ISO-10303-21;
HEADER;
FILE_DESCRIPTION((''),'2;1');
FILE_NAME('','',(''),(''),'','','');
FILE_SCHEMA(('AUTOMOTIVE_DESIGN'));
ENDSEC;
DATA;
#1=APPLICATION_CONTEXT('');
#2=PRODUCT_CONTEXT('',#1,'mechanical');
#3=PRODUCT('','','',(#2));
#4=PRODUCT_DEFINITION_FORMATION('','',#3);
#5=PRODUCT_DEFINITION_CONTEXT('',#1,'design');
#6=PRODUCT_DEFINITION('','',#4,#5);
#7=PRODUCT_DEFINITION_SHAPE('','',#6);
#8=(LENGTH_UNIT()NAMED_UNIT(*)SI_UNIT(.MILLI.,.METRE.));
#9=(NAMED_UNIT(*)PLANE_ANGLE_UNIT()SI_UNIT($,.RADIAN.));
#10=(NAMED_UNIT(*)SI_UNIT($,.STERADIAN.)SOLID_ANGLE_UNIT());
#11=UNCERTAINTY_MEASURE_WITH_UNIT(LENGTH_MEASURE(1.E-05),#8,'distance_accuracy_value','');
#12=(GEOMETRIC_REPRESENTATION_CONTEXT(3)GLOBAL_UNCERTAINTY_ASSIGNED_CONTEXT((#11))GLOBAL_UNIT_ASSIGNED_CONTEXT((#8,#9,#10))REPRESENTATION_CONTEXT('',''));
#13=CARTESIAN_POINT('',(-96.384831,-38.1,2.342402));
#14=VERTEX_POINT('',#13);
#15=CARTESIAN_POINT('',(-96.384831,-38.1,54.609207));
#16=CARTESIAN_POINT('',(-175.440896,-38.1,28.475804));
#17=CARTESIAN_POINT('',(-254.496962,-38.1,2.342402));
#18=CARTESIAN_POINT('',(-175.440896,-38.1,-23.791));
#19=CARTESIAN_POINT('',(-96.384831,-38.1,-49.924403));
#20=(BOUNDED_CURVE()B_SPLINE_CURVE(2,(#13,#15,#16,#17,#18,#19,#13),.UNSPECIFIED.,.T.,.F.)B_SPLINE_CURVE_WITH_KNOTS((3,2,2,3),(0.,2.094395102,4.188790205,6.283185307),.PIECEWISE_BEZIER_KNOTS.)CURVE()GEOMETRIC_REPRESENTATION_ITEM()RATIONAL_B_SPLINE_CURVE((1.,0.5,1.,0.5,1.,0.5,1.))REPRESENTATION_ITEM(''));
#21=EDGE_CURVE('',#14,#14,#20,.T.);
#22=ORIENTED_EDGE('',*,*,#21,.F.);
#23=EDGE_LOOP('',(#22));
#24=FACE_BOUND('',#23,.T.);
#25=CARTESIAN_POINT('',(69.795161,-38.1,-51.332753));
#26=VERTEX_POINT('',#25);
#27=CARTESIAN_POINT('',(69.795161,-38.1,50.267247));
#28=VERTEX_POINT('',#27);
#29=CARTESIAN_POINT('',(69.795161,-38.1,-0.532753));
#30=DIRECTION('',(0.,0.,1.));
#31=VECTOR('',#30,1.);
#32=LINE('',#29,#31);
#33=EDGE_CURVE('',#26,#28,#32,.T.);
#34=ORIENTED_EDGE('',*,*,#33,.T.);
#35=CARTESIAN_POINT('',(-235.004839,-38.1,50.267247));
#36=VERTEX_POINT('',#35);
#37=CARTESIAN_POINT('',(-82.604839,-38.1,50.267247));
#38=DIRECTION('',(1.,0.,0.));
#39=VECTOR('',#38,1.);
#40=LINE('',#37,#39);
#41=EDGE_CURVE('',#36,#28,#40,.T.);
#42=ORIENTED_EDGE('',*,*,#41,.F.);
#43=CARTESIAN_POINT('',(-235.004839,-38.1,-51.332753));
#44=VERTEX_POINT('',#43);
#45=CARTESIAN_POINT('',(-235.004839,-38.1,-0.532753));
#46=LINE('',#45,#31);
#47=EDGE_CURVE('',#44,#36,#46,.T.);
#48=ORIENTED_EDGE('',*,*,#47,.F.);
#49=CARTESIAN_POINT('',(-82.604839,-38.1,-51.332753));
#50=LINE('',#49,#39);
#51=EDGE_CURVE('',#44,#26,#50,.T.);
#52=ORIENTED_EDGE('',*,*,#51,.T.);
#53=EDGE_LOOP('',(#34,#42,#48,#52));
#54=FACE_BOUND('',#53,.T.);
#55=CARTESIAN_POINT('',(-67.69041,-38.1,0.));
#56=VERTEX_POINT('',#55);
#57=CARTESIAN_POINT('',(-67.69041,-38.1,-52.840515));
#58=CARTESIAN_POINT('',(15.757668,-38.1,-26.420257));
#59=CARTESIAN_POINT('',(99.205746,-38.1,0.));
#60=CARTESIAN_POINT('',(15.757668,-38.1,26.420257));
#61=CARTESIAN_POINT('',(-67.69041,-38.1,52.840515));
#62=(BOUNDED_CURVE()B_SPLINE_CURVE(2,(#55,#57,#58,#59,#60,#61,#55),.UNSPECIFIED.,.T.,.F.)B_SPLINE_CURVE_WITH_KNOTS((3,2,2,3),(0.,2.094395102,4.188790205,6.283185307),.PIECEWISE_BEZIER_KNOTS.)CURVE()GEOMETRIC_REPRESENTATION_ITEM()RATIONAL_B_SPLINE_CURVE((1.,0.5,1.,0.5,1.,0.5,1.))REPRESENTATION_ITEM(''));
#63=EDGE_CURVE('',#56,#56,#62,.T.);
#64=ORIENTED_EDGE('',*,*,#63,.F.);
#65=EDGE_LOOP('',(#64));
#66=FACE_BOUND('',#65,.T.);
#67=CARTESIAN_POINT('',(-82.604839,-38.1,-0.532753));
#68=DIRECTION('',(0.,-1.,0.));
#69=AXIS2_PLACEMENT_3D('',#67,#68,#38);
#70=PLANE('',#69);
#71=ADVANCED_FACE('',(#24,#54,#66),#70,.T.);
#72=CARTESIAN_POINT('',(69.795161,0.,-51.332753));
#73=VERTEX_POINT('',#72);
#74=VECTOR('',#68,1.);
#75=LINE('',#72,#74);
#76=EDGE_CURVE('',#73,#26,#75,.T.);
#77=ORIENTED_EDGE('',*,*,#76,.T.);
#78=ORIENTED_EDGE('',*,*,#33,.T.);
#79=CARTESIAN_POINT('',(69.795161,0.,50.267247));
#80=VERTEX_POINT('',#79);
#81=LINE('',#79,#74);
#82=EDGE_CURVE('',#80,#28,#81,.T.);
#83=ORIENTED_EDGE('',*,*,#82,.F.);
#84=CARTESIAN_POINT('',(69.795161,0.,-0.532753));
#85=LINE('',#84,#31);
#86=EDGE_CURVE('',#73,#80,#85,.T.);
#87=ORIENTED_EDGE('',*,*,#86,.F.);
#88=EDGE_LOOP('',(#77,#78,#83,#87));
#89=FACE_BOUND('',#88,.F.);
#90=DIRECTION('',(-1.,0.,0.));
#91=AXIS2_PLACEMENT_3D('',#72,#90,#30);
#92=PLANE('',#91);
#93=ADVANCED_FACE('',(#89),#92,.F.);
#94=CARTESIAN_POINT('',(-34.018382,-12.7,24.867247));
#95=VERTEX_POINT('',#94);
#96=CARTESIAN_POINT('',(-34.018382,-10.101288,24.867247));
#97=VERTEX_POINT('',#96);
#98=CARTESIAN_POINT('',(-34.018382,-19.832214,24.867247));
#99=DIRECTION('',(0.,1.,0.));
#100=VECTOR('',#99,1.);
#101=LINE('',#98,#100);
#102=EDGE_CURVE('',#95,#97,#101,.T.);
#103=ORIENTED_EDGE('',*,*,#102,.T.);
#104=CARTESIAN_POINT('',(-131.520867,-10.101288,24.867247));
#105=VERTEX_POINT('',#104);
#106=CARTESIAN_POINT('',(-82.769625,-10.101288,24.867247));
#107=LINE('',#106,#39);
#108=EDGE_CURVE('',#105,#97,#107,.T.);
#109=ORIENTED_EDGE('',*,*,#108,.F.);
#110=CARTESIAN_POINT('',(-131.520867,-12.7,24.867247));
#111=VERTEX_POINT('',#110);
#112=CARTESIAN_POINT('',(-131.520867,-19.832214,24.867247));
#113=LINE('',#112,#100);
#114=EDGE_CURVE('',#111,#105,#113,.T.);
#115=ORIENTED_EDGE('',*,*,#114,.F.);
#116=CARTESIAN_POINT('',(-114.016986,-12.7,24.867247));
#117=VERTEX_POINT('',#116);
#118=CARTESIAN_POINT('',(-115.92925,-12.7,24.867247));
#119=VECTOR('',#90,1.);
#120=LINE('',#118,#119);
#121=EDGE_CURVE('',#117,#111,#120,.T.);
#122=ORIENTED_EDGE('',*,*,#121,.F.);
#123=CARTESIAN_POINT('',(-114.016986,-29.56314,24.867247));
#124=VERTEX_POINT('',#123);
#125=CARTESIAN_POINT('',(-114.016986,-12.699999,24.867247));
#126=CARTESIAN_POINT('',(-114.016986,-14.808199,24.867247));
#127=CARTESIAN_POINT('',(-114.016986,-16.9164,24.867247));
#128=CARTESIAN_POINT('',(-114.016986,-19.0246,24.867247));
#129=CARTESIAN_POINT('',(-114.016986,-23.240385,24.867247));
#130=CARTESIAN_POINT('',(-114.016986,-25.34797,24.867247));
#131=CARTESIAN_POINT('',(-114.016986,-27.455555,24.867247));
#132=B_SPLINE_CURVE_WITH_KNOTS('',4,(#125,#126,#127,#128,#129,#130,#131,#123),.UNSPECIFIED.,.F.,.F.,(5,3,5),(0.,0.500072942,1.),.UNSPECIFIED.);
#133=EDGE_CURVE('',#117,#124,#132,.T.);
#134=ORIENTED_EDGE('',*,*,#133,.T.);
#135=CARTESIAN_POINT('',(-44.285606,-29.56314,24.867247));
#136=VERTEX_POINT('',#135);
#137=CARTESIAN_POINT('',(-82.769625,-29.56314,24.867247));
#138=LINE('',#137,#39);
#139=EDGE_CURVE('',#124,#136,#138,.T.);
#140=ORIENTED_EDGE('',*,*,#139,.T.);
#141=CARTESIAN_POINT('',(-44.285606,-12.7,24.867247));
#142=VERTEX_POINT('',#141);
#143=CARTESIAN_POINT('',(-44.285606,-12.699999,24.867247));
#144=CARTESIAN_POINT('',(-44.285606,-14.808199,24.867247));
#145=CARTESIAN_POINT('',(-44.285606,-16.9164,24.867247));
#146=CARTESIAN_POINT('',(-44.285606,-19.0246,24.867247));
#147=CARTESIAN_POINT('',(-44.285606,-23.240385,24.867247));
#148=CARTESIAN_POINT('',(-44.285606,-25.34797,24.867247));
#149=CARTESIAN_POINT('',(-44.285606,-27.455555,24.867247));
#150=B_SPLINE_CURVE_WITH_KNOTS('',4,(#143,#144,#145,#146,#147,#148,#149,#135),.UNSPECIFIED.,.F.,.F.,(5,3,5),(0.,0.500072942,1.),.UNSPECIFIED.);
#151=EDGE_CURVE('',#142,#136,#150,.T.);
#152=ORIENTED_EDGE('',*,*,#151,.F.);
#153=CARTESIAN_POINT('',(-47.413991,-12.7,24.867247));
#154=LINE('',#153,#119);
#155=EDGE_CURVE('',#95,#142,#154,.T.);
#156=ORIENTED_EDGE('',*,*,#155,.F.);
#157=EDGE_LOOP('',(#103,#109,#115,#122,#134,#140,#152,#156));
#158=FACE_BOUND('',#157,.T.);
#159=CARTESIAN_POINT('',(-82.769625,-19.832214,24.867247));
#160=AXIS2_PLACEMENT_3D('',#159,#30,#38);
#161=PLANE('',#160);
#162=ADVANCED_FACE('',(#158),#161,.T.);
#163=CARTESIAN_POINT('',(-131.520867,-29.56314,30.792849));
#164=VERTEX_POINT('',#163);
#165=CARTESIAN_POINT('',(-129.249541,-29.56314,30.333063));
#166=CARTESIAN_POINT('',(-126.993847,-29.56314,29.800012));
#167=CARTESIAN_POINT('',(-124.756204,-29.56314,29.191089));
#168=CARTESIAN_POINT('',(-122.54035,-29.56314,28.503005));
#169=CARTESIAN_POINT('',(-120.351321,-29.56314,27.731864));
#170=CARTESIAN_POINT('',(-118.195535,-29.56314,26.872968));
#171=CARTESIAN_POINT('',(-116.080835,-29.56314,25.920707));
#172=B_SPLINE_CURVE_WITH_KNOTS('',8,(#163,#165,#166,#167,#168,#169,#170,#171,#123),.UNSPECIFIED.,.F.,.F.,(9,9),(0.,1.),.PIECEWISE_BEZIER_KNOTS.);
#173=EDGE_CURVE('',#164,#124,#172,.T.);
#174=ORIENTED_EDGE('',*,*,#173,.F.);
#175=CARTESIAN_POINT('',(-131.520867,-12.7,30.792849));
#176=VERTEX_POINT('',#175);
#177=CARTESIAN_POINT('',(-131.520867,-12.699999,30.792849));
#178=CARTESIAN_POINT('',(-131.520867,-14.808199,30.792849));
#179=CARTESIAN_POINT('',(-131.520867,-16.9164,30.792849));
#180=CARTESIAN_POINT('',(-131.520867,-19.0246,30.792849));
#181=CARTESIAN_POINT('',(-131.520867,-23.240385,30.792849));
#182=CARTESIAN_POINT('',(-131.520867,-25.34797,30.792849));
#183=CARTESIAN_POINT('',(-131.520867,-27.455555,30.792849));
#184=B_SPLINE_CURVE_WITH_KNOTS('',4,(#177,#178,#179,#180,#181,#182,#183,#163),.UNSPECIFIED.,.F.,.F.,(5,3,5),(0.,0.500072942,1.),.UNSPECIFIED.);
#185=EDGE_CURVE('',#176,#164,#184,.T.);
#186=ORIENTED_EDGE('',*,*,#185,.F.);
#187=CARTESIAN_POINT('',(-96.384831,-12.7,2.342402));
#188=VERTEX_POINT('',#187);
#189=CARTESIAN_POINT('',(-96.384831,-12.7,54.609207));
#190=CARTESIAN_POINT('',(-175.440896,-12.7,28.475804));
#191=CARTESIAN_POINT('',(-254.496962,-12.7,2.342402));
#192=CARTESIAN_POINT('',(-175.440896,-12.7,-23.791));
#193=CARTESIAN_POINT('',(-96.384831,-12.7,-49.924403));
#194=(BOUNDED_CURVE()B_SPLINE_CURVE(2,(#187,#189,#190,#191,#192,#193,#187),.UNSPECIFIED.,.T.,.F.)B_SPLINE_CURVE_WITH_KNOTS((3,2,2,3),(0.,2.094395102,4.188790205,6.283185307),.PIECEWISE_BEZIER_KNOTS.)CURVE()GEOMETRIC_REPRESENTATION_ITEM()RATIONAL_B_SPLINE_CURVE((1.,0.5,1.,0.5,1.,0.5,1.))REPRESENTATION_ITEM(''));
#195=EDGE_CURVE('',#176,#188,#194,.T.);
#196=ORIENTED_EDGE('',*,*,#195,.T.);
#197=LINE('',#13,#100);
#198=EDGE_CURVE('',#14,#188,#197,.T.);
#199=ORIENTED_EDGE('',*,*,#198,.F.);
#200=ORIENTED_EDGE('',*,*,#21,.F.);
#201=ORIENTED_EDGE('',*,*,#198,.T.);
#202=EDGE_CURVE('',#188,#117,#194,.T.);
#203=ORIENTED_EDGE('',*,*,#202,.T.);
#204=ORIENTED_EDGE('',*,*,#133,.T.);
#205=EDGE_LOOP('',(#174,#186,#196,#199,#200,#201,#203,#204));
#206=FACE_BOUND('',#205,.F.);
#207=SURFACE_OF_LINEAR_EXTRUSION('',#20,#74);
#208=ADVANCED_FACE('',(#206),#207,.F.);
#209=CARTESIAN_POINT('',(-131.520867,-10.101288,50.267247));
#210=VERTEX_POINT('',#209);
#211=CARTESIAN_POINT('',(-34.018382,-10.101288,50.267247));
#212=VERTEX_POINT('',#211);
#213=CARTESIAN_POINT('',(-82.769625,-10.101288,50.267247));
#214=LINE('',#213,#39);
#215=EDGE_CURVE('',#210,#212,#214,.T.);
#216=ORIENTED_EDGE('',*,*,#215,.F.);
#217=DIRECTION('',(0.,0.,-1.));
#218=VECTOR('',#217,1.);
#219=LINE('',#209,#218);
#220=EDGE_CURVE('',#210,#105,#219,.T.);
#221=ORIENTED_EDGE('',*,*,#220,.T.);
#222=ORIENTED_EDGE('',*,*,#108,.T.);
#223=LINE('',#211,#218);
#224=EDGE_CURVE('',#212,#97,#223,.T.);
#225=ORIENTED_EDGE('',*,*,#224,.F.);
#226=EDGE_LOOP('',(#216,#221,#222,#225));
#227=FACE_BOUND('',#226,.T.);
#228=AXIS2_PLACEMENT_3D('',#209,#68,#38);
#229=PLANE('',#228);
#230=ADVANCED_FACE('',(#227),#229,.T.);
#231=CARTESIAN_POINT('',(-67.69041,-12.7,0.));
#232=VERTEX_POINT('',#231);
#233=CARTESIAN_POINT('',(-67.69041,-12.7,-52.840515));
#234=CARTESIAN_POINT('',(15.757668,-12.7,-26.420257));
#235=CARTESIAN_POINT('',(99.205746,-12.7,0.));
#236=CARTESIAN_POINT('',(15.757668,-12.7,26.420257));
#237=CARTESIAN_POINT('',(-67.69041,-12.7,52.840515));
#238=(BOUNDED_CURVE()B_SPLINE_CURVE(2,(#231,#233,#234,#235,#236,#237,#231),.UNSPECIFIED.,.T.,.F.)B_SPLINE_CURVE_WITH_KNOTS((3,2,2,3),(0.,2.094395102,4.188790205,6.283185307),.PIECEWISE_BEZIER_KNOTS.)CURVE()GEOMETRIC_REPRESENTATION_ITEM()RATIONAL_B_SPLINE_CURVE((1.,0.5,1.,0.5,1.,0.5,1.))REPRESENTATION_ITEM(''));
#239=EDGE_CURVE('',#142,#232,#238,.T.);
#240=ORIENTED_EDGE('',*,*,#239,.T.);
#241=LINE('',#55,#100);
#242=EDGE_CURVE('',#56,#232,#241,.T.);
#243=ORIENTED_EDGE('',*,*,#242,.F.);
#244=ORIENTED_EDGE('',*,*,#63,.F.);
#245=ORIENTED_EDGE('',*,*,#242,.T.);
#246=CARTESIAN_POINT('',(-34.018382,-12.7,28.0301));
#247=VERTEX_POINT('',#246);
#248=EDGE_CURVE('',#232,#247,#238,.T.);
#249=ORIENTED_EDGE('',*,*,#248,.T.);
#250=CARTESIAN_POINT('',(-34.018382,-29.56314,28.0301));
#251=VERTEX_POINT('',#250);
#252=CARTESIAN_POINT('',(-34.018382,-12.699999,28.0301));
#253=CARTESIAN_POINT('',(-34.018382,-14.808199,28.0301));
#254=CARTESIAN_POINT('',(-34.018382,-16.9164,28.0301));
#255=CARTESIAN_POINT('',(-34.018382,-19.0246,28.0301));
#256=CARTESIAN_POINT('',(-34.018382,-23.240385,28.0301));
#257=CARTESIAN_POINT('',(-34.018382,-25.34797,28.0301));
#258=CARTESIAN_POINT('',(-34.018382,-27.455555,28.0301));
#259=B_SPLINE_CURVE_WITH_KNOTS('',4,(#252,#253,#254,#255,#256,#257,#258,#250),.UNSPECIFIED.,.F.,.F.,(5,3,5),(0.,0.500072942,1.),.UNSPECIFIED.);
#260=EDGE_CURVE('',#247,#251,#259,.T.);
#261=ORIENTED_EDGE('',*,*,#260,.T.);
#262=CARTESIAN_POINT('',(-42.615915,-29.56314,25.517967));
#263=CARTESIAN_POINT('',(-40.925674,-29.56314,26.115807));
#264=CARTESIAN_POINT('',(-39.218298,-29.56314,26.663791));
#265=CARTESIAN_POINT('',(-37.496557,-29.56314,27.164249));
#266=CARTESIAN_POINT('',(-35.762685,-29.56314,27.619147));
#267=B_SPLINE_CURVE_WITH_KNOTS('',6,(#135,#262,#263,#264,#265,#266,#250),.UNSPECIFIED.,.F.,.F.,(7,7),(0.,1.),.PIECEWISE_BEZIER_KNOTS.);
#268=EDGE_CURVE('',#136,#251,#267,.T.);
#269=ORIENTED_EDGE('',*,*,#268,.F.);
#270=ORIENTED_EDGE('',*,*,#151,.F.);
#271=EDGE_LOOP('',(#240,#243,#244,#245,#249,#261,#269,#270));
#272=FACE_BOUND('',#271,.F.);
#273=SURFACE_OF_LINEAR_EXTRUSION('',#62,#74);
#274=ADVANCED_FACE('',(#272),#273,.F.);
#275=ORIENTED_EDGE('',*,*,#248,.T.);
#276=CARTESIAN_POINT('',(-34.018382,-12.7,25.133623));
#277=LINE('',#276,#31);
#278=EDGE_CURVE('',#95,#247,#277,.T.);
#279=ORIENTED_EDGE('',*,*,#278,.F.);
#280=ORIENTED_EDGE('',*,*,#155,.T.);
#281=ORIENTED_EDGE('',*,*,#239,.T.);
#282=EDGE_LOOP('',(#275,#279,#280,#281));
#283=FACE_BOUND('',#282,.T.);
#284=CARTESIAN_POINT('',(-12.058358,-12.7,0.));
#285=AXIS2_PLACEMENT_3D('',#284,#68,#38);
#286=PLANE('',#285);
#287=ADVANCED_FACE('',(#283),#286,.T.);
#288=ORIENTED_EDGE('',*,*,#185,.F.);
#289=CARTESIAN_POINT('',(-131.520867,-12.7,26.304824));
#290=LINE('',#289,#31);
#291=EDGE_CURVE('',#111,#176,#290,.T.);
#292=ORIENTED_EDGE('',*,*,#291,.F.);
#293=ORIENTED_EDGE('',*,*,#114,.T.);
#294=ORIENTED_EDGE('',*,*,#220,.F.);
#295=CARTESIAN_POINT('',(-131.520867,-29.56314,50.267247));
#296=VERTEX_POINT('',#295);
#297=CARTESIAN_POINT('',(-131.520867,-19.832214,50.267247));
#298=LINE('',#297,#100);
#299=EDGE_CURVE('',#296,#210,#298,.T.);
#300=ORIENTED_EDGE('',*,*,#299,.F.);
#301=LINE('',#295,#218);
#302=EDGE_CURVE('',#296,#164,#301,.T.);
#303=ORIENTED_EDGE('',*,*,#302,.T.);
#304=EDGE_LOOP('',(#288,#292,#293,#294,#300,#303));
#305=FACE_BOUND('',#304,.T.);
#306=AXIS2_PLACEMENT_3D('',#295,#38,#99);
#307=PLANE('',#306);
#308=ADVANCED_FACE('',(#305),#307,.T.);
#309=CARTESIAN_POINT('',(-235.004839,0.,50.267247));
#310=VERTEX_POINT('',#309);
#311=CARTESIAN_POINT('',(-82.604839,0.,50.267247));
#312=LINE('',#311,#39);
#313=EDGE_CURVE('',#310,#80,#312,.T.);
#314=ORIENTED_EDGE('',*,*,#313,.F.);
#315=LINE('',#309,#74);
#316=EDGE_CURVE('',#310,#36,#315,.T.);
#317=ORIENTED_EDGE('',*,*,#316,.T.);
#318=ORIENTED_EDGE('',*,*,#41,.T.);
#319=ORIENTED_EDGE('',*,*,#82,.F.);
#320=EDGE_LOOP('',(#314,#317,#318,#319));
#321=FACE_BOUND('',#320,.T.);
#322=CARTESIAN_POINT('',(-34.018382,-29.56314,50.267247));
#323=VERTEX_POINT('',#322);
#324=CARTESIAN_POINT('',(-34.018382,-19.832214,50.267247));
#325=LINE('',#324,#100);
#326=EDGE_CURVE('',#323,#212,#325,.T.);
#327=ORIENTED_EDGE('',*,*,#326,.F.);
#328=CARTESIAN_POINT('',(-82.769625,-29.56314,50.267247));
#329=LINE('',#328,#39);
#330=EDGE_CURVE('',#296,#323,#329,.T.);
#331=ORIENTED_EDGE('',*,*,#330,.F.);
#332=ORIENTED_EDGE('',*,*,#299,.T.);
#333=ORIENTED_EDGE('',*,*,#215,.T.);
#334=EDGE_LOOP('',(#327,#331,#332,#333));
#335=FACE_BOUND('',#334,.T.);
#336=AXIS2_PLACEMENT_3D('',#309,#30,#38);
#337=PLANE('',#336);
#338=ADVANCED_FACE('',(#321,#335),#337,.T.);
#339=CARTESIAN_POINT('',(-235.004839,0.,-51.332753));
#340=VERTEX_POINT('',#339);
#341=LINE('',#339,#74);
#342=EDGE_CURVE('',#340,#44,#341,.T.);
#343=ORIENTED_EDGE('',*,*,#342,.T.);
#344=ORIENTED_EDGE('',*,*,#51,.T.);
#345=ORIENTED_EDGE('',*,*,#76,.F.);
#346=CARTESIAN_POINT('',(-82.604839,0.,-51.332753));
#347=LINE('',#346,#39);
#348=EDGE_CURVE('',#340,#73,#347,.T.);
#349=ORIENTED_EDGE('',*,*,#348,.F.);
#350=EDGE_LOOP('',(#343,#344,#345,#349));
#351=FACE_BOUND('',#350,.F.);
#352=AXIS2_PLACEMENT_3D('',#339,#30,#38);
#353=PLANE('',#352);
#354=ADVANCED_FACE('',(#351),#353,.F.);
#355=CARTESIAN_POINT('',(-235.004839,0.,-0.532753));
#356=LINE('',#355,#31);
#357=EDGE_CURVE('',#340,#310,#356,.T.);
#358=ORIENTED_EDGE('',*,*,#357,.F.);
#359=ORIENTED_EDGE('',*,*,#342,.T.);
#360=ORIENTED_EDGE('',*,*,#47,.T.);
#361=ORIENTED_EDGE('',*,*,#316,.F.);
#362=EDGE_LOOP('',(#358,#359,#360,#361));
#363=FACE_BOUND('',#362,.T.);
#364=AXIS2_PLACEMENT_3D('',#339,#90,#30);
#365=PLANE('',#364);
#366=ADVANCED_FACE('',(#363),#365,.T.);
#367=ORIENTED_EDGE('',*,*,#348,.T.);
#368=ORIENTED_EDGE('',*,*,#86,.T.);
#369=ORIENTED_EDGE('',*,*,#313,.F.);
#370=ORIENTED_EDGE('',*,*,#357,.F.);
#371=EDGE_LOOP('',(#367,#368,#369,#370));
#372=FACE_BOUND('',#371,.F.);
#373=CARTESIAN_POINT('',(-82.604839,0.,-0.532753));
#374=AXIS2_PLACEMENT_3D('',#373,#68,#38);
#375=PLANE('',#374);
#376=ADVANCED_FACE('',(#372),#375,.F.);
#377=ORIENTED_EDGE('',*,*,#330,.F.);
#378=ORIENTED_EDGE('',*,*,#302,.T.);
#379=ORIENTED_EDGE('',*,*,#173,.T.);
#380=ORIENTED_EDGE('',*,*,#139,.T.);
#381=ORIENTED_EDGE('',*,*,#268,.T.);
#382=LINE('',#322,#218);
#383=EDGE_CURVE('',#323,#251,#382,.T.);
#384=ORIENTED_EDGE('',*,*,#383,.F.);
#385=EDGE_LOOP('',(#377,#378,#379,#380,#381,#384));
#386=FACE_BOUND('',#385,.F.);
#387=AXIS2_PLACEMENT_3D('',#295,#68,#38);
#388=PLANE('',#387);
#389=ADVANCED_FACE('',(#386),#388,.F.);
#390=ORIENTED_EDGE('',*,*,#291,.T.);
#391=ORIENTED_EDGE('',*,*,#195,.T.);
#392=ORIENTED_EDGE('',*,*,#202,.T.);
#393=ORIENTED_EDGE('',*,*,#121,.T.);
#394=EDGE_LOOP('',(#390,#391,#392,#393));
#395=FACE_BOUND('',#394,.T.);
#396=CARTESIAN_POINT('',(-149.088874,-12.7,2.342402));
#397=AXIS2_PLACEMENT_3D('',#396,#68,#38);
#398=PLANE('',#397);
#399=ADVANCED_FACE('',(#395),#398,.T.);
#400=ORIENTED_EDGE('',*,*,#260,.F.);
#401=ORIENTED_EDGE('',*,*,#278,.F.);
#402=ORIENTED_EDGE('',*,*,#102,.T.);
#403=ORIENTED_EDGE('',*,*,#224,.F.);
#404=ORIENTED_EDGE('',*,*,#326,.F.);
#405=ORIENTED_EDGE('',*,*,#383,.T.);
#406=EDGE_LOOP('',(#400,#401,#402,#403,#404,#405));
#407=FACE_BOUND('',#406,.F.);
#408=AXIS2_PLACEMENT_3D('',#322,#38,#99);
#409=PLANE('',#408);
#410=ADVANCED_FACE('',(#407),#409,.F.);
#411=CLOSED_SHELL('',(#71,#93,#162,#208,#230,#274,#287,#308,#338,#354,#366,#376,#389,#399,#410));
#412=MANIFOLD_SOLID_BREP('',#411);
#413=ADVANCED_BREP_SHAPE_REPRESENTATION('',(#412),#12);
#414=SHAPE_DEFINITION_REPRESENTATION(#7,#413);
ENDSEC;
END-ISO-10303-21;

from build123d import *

# Parameters (mm, degrees)
F0_W     = 304.8
F0_H     = 101.6
F1_DEPTH = 38.1
F3_DEPTH = 25.4
F5_DEPTH = 25.4
F6_W     = 97.5024849176
F6_H     = 19.4618524984
F7_DEPTH = 25.4


with BuildPart() as f1:
    # F0 (on Front) → F1 (new body)
    with BuildSketch(Plane.XZ):
        with Locations((-82.6048385143, -0.5327531517)):
            Rectangle(F0_W, F0_H)
    extrude(amount=F1_DEPTH)

    # F2 (on face) → F3 (cut)
    with BuildSketch(Plane.XZ.offset(38.1)):
        with BuildLine():
            add(Edge.make_bspline(
                [(-96.3848307729, 2.3424020037), (-96.3848307729, 54.6092069355), (-175.4408963025, 28.4758044696), (-254.496961832, 2.3424020037), (-175.4408963025, -23.7910004622), (-96.3848307729, -49.9244029281), (-96.3848307729, 2.3424020037)],
                knots=[0, 0, 0, 2.0943951024, 2.0943951024, 4.1887902048, 4.1887902048, 6.2831853072, 6.2831853072, 6.2831853072], degree=2, weights=[1, 0.5, 1, 0.5, 1, 0.5, 1]))
        make_face()
    extrude(amount=-F3_DEPTH, mode=Mode.SUBTRACT)

    # F4 (on face) → F5 (cut)
    with BuildSketch(Plane.XZ.offset(38.1)):
        with BuildLine():
            add(Edge.make_bspline(
                [(-67.6904097199, 0), (-67.6904097199, -52.8405145367), (15.7576682977, -26.4202572684), (99.2057463154, 0), (15.7576682977, 26.4202572684), (-67.6904097199, 52.8405145367), (-67.6904097199, 0)],
                knots=[0, 0, 0, 2.0943951024, 2.0943951024, 4.1887902048, 4.1887902048, 6.2831853072, 6.2831853072, 6.2831853072], degree=2, weights=[1, 0.5, 1, 0.5, 1, 0.5, 1]))
        make_face()
    extrude(amount=-F5_DEPTH, mode=Mode.SUBTRACT)

    # F6 (on face) → F7 (cut)
    with BuildSketch(Plane.XY.offset(50.2672468483)):
        with Locations((-82.7696248889, -19.8322138749)):
            Rectangle(F6_W, F6_H)
    extrude(amount=-F7_DEPTH, mode=Mode.SUBTRACT)


solid = f1.part
